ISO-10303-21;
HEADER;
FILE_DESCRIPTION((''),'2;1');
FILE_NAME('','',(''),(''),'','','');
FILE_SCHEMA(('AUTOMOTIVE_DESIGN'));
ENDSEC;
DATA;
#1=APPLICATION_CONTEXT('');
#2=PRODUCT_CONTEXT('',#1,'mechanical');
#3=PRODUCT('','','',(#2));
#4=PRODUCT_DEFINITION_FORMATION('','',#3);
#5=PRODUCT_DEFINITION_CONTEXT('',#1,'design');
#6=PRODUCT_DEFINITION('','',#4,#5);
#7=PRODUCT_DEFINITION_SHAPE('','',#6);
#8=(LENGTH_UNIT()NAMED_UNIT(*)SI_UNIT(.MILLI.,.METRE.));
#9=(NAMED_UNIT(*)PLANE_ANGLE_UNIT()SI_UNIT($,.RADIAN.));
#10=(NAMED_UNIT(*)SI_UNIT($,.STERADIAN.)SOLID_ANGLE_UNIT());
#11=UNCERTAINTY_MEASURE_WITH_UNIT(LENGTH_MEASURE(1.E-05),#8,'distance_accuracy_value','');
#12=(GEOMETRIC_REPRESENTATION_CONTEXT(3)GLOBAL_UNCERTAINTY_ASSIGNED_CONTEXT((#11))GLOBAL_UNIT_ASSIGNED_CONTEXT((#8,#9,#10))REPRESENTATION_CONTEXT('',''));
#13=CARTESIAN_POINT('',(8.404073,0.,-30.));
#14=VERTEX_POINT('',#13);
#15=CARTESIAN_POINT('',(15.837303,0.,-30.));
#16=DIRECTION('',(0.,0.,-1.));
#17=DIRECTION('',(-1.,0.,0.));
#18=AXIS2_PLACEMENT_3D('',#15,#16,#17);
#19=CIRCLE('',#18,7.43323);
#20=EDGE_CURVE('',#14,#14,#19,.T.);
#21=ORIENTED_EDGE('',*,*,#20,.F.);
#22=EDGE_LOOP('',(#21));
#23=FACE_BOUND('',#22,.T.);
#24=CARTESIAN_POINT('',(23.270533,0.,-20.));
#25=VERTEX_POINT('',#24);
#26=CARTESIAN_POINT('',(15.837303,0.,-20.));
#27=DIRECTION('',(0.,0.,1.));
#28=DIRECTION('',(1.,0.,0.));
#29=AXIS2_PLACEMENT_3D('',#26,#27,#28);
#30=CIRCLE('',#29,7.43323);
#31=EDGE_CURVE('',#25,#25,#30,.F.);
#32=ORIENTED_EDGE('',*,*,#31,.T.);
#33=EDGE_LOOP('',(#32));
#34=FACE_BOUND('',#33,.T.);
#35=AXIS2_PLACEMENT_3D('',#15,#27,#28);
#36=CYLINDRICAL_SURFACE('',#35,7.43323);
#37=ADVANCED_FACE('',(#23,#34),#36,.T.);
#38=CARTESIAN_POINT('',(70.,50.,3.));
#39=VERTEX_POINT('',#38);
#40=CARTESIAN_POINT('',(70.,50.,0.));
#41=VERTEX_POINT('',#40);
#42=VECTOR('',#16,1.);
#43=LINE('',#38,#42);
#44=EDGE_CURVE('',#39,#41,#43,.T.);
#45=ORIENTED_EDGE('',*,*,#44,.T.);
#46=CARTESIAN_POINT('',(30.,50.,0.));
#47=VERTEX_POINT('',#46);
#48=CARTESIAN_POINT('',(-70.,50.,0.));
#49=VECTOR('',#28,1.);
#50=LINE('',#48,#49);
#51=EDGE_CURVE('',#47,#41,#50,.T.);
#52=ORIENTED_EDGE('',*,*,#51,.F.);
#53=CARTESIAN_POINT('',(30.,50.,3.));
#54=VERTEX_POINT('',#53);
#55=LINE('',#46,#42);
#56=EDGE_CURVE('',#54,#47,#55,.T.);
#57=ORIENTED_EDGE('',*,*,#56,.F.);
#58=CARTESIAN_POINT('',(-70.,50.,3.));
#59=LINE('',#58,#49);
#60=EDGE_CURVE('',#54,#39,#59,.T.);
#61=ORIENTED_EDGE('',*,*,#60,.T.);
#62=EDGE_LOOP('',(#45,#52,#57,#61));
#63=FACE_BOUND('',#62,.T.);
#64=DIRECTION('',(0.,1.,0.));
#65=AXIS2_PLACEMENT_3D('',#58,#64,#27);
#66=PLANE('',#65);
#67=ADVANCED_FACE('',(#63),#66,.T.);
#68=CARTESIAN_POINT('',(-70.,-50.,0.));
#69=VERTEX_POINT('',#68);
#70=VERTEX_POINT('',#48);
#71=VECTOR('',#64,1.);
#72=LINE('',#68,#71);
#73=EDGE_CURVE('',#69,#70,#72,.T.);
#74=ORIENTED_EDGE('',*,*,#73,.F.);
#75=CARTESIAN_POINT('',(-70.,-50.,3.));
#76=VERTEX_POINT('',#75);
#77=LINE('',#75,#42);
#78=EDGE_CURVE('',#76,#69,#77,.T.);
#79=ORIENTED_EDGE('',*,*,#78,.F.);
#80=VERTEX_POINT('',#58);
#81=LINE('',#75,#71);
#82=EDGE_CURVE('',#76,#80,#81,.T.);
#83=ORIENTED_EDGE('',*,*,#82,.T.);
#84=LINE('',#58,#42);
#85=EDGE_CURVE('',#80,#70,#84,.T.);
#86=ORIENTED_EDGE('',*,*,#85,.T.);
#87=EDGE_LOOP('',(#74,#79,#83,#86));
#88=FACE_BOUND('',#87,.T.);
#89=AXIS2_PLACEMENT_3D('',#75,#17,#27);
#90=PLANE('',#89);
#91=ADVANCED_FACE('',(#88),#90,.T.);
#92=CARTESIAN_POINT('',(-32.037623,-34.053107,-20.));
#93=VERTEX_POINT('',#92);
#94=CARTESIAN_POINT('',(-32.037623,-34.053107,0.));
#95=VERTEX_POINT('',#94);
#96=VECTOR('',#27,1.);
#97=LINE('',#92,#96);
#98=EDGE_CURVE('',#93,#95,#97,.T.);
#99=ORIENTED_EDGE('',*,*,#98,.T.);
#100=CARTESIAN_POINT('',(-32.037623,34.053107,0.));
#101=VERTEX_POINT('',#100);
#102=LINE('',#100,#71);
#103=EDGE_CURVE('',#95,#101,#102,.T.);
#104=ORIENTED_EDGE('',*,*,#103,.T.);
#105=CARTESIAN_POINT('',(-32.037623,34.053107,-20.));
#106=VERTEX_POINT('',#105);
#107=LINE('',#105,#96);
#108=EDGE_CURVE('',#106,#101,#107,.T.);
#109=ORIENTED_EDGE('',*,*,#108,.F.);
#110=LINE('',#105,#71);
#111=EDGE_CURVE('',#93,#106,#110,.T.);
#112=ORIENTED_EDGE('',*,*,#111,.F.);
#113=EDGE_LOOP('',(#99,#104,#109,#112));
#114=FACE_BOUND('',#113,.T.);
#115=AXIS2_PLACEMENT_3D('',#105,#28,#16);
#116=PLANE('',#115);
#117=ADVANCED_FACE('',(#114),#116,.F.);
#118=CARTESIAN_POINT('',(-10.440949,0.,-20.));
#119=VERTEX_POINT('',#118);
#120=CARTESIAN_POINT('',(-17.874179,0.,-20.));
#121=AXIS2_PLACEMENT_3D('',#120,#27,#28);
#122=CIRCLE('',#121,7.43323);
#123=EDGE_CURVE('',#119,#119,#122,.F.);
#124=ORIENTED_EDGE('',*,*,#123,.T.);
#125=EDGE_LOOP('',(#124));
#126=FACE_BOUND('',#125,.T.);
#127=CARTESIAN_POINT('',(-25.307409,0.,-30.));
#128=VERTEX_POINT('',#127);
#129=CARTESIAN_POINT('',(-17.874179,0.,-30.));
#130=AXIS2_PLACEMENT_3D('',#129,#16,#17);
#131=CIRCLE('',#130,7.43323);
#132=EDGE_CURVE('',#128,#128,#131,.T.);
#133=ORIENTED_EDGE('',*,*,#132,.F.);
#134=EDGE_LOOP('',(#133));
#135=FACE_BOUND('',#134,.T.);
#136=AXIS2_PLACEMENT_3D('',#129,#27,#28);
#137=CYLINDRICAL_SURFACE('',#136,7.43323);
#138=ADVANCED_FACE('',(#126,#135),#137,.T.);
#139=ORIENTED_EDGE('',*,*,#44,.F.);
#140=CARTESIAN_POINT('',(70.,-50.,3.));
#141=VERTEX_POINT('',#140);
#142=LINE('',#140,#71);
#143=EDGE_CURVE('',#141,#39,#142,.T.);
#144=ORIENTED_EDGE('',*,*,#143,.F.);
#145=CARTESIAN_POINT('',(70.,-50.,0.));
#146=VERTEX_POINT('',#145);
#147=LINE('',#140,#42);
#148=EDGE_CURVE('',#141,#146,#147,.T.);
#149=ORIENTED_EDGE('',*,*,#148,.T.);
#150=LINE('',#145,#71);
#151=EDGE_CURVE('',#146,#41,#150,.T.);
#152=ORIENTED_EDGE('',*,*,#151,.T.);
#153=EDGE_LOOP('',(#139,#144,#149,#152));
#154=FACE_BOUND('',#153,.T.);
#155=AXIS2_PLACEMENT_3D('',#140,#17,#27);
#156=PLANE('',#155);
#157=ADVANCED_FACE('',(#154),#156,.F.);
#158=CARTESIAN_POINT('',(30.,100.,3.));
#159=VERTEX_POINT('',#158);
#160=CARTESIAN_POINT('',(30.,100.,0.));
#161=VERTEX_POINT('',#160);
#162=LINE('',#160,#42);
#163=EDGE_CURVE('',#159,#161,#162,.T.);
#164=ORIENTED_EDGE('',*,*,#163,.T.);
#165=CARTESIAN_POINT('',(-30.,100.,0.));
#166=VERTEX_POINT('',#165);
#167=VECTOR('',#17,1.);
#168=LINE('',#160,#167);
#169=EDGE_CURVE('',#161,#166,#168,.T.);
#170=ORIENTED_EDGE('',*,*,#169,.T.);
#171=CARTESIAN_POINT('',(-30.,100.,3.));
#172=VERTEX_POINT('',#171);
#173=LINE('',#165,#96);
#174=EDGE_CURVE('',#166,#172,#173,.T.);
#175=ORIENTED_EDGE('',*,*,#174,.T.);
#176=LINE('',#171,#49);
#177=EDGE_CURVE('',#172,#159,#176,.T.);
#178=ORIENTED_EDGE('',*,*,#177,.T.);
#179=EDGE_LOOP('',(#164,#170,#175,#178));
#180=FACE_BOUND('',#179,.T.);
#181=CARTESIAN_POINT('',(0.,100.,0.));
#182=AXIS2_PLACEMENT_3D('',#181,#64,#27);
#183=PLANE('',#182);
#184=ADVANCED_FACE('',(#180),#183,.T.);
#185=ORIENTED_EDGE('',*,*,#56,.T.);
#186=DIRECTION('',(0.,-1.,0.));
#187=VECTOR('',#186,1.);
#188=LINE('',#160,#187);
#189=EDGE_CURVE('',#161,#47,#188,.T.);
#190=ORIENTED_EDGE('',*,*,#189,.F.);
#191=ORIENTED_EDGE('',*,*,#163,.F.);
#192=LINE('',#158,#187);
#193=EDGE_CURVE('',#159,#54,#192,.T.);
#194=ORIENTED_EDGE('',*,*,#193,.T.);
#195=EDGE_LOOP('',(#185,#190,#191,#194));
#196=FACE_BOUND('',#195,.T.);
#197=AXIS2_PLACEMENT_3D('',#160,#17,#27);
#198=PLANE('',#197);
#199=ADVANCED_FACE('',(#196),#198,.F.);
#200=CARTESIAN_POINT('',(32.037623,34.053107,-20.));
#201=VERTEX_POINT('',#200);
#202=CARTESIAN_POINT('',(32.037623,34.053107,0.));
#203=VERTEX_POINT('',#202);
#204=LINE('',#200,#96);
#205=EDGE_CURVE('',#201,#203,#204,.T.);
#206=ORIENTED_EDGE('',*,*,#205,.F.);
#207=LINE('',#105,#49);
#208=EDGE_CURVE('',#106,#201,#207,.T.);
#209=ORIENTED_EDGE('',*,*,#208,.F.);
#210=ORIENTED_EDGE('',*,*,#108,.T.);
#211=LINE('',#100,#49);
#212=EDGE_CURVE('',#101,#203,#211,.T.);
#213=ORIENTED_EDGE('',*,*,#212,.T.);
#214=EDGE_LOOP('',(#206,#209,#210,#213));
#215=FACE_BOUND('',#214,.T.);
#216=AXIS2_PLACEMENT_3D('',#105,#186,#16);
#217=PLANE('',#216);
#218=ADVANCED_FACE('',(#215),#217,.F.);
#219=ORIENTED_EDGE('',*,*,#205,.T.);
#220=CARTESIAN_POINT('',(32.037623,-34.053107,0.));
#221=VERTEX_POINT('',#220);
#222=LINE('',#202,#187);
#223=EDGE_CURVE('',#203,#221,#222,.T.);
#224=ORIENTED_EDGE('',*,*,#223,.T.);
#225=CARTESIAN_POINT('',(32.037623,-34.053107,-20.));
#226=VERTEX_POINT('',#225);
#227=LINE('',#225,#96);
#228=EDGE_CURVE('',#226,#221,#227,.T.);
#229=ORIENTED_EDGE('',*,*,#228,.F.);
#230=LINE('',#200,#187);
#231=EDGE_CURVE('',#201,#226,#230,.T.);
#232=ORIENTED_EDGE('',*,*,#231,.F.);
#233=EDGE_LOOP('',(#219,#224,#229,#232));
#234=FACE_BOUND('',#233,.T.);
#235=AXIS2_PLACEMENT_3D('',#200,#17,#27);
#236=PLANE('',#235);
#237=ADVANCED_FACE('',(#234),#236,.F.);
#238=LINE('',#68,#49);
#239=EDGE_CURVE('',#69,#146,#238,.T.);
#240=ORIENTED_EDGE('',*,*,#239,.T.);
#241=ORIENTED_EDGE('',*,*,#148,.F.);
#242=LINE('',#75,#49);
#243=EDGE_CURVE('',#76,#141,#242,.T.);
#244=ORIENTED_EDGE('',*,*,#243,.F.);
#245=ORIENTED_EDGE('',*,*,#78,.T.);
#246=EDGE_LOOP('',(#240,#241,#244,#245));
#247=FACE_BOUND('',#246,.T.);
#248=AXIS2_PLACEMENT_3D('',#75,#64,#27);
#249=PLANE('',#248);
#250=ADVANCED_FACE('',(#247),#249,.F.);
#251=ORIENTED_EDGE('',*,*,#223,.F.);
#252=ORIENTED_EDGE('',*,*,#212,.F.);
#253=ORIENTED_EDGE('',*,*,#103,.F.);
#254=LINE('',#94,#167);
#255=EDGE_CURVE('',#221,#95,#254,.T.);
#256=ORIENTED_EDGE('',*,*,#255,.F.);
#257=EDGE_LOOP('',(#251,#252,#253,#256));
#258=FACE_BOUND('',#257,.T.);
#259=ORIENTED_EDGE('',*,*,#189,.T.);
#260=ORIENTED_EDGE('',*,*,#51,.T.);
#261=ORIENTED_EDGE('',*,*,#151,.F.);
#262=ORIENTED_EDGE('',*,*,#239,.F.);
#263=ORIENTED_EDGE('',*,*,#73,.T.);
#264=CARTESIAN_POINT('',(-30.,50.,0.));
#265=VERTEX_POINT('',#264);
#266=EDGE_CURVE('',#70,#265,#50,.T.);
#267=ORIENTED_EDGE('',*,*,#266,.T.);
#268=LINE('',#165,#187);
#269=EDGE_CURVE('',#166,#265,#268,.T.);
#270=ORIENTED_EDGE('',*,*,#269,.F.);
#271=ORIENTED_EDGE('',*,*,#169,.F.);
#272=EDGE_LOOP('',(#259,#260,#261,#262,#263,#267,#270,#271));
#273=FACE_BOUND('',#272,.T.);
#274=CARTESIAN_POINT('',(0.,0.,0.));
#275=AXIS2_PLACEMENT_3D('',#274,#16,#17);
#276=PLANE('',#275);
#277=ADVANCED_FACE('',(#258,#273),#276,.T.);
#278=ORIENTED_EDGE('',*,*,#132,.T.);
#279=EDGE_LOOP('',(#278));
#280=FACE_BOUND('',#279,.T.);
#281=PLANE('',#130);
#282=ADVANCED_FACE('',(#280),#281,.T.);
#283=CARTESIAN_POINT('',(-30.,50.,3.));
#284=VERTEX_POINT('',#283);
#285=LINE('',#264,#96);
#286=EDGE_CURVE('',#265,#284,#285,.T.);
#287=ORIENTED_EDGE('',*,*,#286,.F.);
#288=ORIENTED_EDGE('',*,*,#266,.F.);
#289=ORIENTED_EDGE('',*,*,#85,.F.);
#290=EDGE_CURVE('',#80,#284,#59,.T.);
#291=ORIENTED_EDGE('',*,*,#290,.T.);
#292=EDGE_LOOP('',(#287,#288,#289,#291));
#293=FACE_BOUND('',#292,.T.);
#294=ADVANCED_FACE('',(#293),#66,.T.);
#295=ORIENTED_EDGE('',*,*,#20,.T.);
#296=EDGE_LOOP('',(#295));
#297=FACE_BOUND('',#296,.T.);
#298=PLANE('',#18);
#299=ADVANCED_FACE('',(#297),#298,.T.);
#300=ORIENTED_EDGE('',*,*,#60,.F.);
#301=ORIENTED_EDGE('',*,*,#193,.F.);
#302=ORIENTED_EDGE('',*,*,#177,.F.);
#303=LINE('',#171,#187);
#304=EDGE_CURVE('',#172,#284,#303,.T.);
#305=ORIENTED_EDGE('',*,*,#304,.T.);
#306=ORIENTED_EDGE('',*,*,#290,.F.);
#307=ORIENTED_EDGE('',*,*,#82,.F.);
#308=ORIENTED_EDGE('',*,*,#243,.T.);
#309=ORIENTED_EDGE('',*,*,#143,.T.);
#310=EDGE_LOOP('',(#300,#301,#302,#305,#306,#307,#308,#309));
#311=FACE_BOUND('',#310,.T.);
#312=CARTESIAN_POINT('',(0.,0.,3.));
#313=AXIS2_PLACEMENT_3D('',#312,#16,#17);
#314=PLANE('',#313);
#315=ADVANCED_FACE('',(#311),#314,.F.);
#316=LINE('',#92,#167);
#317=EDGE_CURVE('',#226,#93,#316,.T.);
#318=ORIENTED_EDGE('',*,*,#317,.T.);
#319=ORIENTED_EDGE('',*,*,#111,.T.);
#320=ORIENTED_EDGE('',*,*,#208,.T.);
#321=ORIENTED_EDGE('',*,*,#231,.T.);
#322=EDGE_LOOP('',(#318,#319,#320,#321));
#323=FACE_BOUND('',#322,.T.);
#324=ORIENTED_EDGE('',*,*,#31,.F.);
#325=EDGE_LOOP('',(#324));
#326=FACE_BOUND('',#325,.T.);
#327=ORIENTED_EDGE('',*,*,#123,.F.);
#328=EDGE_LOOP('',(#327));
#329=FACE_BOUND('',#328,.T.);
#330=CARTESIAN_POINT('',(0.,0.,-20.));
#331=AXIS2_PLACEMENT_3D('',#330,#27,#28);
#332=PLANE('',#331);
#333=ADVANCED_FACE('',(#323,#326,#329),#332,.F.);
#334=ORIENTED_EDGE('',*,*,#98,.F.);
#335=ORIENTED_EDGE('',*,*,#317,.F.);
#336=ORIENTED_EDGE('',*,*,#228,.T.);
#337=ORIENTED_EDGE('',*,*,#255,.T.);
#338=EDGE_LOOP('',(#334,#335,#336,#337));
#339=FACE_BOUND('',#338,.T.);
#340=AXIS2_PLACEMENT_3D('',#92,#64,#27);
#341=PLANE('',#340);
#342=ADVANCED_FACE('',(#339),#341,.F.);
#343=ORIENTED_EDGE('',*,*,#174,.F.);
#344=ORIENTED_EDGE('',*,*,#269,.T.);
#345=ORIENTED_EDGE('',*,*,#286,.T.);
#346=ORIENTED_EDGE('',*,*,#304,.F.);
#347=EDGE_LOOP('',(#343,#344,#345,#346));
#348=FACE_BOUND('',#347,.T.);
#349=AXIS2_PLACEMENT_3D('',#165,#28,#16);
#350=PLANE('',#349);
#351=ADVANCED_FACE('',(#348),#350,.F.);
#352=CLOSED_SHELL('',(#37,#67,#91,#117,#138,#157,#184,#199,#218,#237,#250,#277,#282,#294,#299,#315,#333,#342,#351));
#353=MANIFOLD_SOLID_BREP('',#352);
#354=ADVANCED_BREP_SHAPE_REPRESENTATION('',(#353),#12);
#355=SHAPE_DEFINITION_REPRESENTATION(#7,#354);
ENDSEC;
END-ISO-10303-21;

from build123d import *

# Parameters (mm, degrees)
SKETCH_1_W      = 140
SKETCH_1_H      = 100
EXTRUDE_1_DEPTH = 3
SKETCH_2_W      = 60
SKETCH_2_H      = 3
EXTRUDE_2_DEPTH = 50
SKETCH_3_W      = 64.075246498
SKETCH_3_H      = 68.106213914
EXTRUDE_3_DEPTH = 20
SKETCH_4_R      = 7.433229746
EXTRUDE_4_DEPTH = 10


with BuildPart() as part:
    # 草图1 → 凸台-拉伸1 (new body)
    with BuildSketch(Plane.XY):
        Rectangle(SKETCH_1_W, SKETCH_1_H)
    extrude(amount=EXTRUDE_1_DEPTH)

    # 草图2 → 凸台-拉伸2 (add)
    with BuildSketch(Plane(origin=(0, 50, 0), x_dir=(1, 0, 0), z_dir=(0, 1, 0))):
        with Locations((0, -1.5)):
            Rectangle(SKETCH_2_W, SKETCH_2_H)
    extrude(amount=EXTRUDE_2_DEPTH)

    # 草图3 → 凸台-拉伸3 (add)
    with BuildSketch(Plane(origin=(0, 0, 0), x_dir=(-1, 0, 0), z_dir=(0, 0, -1))):
        Rectangle(SKETCH_3_W, SKETCH_3_H)
    extrude(amount=EXTRUDE_3_DEPTH)

    # 草图4 → 凸台-拉伸4 (add)
    with BuildSketch(Plane(origin=(0, 0, -20), x_dir=(-1, 0, 0), z_dir=(0, 0, -1))):
        with Locations(Location((17.874179181, 0, 0), (0, 0, 180))):
            Circle(SKETCH_4_R)
        with Locations(Location((-15.837302871, 0, 0), (0, 0, 180))):
            Circle(SKETCH_4_R)
    extrude(amount=EXTRUDE_4_DEPTH)


solid = part.part
